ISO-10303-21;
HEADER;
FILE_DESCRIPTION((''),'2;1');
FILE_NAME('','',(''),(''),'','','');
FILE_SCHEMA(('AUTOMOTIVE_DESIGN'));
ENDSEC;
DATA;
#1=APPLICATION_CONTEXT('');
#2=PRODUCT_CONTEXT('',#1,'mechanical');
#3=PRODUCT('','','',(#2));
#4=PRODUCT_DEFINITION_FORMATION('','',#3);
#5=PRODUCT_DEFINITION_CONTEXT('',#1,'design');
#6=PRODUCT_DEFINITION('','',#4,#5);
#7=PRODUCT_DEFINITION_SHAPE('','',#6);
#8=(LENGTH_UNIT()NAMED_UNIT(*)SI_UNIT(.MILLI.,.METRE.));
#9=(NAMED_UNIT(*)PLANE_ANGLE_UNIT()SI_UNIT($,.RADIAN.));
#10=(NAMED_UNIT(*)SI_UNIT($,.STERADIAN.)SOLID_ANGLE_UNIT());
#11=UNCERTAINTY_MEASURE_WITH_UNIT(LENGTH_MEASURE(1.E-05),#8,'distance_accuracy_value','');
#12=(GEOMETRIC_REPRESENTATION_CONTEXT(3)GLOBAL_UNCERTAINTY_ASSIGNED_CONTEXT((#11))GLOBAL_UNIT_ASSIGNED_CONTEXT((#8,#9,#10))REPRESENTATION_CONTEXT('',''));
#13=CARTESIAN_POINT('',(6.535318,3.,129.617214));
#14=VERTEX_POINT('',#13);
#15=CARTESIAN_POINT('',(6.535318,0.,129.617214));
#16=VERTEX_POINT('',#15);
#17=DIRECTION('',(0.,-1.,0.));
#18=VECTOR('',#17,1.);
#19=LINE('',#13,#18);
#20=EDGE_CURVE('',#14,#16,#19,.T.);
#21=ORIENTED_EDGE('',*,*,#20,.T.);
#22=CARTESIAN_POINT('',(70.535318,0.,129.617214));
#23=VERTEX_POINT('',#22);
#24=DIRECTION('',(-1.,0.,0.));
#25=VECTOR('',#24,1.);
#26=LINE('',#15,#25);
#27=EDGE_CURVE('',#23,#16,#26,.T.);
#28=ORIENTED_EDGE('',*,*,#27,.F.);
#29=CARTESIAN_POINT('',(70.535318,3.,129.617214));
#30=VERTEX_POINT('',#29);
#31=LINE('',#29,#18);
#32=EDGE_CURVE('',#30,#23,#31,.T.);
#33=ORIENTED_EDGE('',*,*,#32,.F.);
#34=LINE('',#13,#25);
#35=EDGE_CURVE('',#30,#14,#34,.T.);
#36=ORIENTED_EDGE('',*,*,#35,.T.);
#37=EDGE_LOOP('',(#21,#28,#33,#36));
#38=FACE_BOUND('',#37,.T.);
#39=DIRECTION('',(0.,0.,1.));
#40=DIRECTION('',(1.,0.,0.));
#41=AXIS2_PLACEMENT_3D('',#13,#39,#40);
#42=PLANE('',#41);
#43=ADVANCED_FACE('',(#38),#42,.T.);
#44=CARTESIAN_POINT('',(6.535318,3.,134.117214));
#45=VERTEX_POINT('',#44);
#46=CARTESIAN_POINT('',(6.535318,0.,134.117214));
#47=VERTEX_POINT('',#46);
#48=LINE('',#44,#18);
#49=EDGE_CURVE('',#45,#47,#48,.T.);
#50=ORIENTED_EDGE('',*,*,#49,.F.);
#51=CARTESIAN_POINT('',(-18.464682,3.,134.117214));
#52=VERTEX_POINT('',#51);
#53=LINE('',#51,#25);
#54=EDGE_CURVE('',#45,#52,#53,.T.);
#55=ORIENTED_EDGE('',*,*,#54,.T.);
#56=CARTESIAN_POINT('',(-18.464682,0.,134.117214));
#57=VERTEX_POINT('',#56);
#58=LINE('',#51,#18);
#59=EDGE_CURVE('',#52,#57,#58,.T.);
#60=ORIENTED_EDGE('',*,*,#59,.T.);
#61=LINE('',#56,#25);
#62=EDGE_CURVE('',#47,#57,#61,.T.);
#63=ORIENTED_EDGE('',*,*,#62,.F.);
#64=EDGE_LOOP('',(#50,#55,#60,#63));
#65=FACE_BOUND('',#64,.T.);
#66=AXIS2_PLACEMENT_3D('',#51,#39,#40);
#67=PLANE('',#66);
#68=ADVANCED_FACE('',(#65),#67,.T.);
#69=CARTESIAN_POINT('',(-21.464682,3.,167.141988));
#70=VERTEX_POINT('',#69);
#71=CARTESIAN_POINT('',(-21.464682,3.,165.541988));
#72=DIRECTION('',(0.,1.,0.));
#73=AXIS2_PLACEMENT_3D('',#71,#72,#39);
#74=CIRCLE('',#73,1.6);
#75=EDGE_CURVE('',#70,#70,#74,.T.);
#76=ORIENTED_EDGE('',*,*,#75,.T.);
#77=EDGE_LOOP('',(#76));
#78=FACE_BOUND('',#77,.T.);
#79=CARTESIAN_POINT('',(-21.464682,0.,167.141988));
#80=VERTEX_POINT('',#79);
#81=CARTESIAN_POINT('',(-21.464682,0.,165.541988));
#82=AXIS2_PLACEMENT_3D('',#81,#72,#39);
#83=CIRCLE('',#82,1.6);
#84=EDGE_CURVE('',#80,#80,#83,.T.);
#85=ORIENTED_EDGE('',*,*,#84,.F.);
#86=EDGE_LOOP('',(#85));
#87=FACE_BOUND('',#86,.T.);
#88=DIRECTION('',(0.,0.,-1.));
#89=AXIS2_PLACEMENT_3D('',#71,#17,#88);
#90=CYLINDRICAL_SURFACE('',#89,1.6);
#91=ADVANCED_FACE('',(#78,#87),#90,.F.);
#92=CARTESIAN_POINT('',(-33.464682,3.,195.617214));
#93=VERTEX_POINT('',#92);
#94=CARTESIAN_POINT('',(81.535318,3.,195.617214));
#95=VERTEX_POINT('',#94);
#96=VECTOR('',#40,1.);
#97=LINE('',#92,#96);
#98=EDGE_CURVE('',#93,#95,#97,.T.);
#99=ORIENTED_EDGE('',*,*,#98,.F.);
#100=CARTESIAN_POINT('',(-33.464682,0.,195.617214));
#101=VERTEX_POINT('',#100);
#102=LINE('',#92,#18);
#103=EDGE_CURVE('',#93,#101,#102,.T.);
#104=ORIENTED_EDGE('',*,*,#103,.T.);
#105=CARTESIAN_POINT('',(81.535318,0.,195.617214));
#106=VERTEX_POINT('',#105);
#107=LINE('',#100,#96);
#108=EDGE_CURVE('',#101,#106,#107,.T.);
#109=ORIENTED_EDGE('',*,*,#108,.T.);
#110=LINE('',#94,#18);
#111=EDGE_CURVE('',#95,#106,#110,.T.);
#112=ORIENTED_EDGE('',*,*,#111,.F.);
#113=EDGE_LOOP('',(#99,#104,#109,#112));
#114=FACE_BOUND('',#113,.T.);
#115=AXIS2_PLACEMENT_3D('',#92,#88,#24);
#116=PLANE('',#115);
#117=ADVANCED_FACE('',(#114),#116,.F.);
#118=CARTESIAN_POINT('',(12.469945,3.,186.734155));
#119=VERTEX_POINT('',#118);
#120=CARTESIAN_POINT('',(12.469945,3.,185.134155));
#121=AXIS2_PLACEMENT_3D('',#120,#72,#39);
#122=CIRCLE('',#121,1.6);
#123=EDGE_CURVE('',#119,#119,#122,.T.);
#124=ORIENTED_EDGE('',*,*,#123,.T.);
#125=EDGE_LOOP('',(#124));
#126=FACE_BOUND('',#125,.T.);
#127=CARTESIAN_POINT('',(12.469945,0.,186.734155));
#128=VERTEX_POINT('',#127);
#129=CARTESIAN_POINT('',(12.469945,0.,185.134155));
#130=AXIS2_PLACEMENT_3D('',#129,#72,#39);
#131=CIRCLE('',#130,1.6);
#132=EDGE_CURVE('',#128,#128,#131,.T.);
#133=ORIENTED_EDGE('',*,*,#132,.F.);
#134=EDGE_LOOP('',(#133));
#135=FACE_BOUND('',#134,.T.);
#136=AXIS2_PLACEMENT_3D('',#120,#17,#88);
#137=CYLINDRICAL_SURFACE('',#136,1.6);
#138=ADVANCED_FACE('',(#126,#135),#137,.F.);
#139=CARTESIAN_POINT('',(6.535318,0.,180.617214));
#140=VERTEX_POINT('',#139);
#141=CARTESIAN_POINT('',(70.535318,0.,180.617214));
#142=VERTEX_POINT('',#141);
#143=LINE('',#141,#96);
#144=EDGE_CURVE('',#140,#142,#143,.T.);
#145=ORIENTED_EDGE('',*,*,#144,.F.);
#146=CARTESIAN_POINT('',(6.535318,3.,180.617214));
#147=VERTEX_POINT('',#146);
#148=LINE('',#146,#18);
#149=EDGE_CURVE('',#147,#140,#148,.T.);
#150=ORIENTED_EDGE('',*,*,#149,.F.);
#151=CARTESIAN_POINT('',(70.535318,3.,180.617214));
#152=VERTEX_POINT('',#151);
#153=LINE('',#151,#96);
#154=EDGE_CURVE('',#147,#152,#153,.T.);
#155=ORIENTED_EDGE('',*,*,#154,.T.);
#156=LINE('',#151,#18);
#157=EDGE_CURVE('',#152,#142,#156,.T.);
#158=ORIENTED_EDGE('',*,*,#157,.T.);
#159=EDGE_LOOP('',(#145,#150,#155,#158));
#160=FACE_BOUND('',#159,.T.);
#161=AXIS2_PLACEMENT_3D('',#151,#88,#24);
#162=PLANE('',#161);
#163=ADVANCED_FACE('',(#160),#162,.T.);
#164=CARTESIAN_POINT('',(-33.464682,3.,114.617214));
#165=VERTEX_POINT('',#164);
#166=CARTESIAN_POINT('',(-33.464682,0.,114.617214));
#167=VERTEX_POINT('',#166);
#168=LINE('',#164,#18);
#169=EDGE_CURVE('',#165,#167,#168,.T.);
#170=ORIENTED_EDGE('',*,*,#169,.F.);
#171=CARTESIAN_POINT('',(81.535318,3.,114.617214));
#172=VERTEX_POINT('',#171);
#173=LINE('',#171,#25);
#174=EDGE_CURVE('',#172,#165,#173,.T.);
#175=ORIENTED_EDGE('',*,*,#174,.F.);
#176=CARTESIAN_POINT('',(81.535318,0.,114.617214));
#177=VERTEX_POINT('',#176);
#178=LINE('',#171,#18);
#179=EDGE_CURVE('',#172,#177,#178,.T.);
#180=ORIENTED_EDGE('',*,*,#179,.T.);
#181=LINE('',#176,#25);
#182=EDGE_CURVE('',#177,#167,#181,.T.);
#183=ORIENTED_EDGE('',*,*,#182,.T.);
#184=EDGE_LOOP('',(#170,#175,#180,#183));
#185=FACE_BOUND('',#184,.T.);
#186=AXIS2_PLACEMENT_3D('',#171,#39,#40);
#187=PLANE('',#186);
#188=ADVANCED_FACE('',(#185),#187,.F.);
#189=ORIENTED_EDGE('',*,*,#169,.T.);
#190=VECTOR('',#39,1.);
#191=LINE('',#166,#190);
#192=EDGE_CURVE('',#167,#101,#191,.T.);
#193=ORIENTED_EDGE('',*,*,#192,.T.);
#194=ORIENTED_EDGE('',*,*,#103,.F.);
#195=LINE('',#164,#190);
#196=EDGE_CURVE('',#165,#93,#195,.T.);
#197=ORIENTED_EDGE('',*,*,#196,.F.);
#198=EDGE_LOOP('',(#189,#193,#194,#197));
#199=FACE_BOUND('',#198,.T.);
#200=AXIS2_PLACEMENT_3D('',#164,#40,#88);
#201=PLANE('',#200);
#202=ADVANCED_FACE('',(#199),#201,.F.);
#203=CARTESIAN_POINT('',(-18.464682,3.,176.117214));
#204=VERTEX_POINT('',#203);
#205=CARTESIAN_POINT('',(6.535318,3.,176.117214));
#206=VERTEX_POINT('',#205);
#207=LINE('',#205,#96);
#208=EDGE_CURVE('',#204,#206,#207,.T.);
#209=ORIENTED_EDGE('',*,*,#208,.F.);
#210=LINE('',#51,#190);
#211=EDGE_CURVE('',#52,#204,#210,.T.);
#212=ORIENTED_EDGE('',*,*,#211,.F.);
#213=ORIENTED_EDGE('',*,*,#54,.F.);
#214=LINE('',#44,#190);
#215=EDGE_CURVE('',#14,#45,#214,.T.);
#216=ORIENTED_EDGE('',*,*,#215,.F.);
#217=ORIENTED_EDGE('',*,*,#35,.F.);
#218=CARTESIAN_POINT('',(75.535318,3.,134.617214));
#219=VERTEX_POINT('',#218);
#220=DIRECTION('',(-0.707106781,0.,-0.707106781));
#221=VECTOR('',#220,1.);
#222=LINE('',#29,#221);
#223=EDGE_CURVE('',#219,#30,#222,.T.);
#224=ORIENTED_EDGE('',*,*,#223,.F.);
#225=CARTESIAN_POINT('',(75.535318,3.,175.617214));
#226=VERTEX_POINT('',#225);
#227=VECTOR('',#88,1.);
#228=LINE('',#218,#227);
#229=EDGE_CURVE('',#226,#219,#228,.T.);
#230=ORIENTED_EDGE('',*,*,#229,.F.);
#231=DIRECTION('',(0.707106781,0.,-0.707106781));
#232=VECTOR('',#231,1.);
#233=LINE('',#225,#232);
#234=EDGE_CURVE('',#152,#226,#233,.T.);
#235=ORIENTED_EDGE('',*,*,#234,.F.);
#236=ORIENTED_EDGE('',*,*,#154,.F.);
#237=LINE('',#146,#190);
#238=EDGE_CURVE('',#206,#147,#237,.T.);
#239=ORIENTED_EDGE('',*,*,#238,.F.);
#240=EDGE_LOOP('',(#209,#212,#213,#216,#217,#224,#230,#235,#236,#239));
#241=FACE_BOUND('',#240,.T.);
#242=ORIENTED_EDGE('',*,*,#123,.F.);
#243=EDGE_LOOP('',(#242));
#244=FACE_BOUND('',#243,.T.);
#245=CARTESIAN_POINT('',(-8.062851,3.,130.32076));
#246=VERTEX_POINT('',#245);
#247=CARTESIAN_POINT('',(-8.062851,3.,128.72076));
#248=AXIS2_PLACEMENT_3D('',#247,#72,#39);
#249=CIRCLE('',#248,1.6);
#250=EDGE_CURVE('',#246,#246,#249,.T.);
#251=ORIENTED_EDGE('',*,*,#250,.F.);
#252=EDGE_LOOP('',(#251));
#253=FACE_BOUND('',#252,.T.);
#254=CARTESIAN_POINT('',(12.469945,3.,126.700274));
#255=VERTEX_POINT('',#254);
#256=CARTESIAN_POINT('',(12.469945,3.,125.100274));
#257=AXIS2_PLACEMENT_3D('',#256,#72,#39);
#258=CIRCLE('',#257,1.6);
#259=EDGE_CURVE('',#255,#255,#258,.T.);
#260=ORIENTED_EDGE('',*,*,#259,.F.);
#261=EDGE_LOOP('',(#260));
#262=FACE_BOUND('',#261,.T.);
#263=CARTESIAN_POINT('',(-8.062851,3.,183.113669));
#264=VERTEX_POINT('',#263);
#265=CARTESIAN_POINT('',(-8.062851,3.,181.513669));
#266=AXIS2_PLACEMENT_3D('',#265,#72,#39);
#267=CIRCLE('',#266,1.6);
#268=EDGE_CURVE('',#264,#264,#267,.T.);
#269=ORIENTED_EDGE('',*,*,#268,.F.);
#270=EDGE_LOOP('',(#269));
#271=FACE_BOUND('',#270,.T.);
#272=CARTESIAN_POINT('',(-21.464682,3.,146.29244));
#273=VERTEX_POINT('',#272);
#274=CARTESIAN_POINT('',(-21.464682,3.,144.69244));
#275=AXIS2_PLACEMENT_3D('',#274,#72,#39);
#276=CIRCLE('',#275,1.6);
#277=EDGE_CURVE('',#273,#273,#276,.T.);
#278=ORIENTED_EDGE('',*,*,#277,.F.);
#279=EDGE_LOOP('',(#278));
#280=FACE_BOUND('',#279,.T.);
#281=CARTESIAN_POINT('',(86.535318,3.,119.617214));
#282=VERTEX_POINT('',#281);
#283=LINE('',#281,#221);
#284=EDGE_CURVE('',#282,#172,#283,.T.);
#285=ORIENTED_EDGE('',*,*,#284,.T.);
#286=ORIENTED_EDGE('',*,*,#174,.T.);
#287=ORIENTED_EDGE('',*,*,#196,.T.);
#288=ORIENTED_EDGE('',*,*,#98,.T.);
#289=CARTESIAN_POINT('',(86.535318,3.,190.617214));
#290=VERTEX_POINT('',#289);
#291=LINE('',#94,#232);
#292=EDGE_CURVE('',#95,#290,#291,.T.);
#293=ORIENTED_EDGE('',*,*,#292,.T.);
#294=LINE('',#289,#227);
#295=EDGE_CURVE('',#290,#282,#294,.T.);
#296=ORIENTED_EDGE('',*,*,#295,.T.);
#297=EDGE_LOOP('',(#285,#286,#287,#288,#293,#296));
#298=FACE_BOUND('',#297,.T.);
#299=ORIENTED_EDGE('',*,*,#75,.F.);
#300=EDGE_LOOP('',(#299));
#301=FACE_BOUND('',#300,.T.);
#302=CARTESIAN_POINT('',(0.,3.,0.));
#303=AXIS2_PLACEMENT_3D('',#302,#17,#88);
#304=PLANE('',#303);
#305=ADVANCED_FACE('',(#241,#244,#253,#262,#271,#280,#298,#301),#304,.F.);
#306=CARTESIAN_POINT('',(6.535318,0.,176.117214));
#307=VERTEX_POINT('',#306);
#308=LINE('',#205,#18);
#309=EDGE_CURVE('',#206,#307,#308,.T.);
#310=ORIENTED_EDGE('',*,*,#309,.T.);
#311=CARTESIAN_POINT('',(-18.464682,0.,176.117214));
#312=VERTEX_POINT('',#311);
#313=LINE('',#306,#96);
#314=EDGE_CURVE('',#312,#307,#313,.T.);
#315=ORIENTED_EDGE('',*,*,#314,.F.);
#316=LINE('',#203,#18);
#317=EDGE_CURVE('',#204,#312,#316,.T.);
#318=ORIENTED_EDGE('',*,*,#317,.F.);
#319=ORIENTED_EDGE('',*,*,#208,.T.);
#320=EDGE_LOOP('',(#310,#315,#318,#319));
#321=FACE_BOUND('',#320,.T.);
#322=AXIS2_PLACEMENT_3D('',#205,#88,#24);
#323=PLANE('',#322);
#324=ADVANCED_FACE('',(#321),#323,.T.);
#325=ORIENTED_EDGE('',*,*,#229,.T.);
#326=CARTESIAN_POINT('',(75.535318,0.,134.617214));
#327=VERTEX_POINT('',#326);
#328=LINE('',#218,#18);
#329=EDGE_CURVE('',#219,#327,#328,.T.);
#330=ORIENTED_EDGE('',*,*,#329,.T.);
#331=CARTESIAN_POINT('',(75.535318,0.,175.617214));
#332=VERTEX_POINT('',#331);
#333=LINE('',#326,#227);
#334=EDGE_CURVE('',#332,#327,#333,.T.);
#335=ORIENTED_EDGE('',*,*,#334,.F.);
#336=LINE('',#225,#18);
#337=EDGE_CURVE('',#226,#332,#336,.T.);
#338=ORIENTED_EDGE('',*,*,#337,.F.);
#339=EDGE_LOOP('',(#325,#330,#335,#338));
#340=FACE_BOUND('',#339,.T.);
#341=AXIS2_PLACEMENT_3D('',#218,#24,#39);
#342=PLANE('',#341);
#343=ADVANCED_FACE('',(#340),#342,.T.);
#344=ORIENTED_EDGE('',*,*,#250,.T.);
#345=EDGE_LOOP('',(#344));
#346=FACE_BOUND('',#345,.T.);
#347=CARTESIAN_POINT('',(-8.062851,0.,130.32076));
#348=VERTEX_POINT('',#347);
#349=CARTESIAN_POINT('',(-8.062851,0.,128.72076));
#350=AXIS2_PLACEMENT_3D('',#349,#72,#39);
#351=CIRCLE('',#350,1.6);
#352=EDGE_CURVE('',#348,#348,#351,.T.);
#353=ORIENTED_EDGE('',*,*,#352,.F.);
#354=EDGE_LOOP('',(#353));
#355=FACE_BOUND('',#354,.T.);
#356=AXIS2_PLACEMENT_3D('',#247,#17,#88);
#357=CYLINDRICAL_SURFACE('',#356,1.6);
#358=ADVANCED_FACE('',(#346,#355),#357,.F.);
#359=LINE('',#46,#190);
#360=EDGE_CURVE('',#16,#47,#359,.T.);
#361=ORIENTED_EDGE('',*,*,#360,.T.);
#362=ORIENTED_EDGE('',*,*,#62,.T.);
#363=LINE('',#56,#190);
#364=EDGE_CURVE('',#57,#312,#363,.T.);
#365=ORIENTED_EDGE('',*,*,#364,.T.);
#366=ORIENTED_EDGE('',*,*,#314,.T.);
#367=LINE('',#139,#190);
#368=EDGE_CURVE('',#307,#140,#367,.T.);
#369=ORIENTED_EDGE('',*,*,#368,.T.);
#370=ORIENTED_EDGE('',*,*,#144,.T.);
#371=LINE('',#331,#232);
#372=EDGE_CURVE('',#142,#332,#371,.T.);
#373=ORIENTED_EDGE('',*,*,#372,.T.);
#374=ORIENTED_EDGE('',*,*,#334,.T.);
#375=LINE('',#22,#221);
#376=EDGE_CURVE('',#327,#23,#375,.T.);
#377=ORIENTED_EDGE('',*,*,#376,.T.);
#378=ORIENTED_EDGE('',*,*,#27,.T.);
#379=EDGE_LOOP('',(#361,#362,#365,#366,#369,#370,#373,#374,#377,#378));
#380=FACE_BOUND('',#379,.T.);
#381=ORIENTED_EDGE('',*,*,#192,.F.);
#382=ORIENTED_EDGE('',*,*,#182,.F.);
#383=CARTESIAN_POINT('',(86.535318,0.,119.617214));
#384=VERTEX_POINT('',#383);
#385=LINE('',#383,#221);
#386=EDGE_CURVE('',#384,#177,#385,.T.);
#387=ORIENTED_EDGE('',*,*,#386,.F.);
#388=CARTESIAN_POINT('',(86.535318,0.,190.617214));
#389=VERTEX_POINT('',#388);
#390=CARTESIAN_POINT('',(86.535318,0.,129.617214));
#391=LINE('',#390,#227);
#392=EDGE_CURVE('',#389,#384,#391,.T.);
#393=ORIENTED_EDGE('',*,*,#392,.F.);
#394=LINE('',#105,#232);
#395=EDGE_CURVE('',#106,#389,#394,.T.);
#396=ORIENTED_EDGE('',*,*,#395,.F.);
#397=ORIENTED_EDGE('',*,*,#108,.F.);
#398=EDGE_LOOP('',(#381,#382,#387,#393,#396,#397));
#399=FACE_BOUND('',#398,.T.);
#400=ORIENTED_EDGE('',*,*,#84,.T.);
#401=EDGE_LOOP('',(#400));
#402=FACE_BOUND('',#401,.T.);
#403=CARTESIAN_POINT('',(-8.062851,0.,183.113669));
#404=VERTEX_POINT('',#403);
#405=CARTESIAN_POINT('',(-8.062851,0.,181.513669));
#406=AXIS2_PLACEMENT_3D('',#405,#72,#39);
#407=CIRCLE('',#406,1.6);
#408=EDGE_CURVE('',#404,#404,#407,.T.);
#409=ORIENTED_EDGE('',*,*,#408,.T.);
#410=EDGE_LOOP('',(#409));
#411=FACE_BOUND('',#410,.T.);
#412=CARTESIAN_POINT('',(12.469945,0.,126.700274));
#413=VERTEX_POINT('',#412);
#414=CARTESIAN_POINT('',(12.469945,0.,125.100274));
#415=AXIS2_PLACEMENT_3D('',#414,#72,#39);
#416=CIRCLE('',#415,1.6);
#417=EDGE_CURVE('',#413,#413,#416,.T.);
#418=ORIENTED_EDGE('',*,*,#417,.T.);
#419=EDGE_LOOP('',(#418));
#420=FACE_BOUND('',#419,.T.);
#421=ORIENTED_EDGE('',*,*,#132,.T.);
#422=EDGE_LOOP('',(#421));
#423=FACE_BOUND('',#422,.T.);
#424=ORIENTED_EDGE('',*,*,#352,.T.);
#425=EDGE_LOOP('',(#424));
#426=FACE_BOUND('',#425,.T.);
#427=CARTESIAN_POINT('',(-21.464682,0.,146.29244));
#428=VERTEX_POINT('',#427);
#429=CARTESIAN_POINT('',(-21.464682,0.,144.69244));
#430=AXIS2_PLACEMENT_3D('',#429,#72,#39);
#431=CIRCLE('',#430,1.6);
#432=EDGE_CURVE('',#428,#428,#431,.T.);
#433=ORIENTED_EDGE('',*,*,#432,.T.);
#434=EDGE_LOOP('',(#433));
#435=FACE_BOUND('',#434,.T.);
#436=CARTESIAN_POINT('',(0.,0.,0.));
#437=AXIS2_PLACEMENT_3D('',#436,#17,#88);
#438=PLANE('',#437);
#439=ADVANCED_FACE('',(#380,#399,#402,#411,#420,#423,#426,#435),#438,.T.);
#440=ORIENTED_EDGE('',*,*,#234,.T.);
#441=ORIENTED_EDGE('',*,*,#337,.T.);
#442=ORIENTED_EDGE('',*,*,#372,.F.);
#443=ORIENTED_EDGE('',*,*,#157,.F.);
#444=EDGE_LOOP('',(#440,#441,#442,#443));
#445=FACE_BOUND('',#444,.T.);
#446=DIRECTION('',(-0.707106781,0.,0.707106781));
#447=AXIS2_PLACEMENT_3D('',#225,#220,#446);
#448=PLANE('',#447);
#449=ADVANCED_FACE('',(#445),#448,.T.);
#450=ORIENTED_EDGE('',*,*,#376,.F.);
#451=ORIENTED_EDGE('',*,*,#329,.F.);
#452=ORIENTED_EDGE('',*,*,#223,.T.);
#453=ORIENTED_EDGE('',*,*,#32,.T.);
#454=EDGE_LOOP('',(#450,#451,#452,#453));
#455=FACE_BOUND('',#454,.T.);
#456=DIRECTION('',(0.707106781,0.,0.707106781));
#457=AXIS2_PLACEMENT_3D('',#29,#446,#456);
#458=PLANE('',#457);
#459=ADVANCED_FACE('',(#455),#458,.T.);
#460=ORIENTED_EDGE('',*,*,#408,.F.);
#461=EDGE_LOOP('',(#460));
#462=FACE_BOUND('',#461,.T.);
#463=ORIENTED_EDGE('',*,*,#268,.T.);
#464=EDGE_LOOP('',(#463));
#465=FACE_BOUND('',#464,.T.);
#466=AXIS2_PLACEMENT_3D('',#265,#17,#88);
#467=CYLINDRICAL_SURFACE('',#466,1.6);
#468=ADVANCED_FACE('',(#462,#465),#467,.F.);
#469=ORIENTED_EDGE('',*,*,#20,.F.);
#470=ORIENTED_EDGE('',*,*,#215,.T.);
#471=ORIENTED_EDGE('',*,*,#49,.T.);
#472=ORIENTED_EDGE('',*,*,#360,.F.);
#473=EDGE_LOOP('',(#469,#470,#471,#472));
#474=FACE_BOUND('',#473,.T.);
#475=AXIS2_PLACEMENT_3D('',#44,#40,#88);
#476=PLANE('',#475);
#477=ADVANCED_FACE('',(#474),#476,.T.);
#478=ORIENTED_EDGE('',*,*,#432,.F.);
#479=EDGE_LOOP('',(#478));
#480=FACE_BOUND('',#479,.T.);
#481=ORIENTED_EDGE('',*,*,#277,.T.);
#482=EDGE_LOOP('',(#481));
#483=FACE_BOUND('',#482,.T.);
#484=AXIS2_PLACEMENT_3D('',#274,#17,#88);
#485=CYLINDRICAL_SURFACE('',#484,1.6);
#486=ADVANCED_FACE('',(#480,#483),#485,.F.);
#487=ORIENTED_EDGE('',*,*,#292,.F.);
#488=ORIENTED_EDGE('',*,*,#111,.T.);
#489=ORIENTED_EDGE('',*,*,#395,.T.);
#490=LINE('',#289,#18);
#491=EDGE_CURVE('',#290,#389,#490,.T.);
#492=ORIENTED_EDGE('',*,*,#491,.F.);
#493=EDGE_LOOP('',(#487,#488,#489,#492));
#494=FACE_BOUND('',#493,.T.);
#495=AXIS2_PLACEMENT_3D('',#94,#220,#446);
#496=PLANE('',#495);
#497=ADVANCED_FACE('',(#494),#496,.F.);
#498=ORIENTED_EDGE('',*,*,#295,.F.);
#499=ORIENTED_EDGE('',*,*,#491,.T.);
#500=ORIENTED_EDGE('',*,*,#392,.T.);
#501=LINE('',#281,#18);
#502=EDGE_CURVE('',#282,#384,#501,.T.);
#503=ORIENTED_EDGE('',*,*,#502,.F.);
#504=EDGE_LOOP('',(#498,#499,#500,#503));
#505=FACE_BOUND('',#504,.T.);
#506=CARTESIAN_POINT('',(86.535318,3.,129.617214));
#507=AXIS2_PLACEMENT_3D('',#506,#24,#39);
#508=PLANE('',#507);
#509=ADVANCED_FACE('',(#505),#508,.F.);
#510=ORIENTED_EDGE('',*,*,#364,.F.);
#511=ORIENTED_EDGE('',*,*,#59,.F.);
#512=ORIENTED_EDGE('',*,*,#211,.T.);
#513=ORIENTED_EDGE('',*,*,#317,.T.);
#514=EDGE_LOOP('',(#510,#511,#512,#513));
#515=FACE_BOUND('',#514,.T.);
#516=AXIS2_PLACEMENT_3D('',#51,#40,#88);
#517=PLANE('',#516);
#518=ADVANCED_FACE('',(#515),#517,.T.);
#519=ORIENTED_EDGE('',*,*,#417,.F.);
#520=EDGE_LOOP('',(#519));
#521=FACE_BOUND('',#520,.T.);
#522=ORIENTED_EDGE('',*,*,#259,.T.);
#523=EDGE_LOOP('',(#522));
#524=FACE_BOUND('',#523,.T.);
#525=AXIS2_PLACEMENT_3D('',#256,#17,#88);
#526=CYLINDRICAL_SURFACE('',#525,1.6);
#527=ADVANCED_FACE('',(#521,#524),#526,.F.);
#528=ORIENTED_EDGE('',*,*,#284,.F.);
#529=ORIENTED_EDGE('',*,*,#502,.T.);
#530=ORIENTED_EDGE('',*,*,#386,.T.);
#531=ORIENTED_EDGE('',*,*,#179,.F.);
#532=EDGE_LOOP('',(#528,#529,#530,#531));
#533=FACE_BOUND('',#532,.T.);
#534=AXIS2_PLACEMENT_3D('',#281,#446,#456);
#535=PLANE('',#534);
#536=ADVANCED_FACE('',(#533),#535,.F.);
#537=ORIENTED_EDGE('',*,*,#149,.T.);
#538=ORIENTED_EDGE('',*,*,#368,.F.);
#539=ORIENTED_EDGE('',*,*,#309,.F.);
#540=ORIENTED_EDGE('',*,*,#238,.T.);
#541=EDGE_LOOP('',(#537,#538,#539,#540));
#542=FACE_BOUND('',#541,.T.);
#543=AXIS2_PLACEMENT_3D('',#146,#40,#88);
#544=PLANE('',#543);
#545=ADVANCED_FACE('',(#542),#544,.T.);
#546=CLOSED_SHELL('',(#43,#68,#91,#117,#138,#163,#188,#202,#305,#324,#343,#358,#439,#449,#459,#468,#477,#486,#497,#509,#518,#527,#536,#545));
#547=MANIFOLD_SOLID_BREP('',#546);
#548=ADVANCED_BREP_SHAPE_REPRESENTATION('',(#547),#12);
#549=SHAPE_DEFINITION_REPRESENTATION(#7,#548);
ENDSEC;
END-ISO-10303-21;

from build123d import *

# Parameters (mm, degrees)
SKETCH1_R           = 1.6
BOSS_EXTRUDE1_DEPTH = 3


with BuildPart() as part:
    # Sketch1 → Boss-Extrude1 (new body)
    with BuildSketch(Plane(origin=(0, 0, 0), x_dir=(1, 0, 0), z_dir=(0, 1, 0))):
        Polygon((86.535317855, -129.61721435), (86.535317855, -119.61721435), (81.535317855, -114.61721435), (-33.464682145, -114.61721435), (-33.464682145, -195.61721435), (81.535317855, -195.61721435), (86.535317855, -190.61721435), (86.535317855, -180.61721435), align=None)
        with Locations((12.469945392, -125.100274039)):
            Circle(SKETCH1_R, mode=Mode.SUBTRACT)
        with Locations((-8.062851064, -128.720760043)):
            Circle(SKETCH1_R, mode=Mode.SUBTRACT)
        with Locations((-21.464682145, -144.692440382)):
            Circle(SKETCH1_R, mode=Mode.SUBTRACT)
        with Locations((-21.464682145, -165.541988319)):
            Circle(SKETCH1_R, mode=Mode.SUBTRACT)
        with Locations((-8.062851064, -181.513668658)):
            Circle(SKETCH1_R, mode=Mode.SUBTRACT)
        with Locations((12.469945392, -185.134154662)):
            Circle(SKETCH1_R, mode=Mode.SUBTRACT)
        Polygon((-18.464682145, -134.11721435), (6.535317855, -134.11721435), (6.535317855, -129.61721435), (70.535317855, -129.61721435), (75.535317855, -134.61721435), (75.535317855, -175.61721435), (70.535317855, -180.61721435), (6.535317855, -180.61721435), (6.535317855, -176.11721435), (-18.464682145, -176.11721435), align=None, mode=Mode.SUBTRACT)
    extrude(amount=BOSS_EXTRUDE1_DEPTH)


solid = part.part
